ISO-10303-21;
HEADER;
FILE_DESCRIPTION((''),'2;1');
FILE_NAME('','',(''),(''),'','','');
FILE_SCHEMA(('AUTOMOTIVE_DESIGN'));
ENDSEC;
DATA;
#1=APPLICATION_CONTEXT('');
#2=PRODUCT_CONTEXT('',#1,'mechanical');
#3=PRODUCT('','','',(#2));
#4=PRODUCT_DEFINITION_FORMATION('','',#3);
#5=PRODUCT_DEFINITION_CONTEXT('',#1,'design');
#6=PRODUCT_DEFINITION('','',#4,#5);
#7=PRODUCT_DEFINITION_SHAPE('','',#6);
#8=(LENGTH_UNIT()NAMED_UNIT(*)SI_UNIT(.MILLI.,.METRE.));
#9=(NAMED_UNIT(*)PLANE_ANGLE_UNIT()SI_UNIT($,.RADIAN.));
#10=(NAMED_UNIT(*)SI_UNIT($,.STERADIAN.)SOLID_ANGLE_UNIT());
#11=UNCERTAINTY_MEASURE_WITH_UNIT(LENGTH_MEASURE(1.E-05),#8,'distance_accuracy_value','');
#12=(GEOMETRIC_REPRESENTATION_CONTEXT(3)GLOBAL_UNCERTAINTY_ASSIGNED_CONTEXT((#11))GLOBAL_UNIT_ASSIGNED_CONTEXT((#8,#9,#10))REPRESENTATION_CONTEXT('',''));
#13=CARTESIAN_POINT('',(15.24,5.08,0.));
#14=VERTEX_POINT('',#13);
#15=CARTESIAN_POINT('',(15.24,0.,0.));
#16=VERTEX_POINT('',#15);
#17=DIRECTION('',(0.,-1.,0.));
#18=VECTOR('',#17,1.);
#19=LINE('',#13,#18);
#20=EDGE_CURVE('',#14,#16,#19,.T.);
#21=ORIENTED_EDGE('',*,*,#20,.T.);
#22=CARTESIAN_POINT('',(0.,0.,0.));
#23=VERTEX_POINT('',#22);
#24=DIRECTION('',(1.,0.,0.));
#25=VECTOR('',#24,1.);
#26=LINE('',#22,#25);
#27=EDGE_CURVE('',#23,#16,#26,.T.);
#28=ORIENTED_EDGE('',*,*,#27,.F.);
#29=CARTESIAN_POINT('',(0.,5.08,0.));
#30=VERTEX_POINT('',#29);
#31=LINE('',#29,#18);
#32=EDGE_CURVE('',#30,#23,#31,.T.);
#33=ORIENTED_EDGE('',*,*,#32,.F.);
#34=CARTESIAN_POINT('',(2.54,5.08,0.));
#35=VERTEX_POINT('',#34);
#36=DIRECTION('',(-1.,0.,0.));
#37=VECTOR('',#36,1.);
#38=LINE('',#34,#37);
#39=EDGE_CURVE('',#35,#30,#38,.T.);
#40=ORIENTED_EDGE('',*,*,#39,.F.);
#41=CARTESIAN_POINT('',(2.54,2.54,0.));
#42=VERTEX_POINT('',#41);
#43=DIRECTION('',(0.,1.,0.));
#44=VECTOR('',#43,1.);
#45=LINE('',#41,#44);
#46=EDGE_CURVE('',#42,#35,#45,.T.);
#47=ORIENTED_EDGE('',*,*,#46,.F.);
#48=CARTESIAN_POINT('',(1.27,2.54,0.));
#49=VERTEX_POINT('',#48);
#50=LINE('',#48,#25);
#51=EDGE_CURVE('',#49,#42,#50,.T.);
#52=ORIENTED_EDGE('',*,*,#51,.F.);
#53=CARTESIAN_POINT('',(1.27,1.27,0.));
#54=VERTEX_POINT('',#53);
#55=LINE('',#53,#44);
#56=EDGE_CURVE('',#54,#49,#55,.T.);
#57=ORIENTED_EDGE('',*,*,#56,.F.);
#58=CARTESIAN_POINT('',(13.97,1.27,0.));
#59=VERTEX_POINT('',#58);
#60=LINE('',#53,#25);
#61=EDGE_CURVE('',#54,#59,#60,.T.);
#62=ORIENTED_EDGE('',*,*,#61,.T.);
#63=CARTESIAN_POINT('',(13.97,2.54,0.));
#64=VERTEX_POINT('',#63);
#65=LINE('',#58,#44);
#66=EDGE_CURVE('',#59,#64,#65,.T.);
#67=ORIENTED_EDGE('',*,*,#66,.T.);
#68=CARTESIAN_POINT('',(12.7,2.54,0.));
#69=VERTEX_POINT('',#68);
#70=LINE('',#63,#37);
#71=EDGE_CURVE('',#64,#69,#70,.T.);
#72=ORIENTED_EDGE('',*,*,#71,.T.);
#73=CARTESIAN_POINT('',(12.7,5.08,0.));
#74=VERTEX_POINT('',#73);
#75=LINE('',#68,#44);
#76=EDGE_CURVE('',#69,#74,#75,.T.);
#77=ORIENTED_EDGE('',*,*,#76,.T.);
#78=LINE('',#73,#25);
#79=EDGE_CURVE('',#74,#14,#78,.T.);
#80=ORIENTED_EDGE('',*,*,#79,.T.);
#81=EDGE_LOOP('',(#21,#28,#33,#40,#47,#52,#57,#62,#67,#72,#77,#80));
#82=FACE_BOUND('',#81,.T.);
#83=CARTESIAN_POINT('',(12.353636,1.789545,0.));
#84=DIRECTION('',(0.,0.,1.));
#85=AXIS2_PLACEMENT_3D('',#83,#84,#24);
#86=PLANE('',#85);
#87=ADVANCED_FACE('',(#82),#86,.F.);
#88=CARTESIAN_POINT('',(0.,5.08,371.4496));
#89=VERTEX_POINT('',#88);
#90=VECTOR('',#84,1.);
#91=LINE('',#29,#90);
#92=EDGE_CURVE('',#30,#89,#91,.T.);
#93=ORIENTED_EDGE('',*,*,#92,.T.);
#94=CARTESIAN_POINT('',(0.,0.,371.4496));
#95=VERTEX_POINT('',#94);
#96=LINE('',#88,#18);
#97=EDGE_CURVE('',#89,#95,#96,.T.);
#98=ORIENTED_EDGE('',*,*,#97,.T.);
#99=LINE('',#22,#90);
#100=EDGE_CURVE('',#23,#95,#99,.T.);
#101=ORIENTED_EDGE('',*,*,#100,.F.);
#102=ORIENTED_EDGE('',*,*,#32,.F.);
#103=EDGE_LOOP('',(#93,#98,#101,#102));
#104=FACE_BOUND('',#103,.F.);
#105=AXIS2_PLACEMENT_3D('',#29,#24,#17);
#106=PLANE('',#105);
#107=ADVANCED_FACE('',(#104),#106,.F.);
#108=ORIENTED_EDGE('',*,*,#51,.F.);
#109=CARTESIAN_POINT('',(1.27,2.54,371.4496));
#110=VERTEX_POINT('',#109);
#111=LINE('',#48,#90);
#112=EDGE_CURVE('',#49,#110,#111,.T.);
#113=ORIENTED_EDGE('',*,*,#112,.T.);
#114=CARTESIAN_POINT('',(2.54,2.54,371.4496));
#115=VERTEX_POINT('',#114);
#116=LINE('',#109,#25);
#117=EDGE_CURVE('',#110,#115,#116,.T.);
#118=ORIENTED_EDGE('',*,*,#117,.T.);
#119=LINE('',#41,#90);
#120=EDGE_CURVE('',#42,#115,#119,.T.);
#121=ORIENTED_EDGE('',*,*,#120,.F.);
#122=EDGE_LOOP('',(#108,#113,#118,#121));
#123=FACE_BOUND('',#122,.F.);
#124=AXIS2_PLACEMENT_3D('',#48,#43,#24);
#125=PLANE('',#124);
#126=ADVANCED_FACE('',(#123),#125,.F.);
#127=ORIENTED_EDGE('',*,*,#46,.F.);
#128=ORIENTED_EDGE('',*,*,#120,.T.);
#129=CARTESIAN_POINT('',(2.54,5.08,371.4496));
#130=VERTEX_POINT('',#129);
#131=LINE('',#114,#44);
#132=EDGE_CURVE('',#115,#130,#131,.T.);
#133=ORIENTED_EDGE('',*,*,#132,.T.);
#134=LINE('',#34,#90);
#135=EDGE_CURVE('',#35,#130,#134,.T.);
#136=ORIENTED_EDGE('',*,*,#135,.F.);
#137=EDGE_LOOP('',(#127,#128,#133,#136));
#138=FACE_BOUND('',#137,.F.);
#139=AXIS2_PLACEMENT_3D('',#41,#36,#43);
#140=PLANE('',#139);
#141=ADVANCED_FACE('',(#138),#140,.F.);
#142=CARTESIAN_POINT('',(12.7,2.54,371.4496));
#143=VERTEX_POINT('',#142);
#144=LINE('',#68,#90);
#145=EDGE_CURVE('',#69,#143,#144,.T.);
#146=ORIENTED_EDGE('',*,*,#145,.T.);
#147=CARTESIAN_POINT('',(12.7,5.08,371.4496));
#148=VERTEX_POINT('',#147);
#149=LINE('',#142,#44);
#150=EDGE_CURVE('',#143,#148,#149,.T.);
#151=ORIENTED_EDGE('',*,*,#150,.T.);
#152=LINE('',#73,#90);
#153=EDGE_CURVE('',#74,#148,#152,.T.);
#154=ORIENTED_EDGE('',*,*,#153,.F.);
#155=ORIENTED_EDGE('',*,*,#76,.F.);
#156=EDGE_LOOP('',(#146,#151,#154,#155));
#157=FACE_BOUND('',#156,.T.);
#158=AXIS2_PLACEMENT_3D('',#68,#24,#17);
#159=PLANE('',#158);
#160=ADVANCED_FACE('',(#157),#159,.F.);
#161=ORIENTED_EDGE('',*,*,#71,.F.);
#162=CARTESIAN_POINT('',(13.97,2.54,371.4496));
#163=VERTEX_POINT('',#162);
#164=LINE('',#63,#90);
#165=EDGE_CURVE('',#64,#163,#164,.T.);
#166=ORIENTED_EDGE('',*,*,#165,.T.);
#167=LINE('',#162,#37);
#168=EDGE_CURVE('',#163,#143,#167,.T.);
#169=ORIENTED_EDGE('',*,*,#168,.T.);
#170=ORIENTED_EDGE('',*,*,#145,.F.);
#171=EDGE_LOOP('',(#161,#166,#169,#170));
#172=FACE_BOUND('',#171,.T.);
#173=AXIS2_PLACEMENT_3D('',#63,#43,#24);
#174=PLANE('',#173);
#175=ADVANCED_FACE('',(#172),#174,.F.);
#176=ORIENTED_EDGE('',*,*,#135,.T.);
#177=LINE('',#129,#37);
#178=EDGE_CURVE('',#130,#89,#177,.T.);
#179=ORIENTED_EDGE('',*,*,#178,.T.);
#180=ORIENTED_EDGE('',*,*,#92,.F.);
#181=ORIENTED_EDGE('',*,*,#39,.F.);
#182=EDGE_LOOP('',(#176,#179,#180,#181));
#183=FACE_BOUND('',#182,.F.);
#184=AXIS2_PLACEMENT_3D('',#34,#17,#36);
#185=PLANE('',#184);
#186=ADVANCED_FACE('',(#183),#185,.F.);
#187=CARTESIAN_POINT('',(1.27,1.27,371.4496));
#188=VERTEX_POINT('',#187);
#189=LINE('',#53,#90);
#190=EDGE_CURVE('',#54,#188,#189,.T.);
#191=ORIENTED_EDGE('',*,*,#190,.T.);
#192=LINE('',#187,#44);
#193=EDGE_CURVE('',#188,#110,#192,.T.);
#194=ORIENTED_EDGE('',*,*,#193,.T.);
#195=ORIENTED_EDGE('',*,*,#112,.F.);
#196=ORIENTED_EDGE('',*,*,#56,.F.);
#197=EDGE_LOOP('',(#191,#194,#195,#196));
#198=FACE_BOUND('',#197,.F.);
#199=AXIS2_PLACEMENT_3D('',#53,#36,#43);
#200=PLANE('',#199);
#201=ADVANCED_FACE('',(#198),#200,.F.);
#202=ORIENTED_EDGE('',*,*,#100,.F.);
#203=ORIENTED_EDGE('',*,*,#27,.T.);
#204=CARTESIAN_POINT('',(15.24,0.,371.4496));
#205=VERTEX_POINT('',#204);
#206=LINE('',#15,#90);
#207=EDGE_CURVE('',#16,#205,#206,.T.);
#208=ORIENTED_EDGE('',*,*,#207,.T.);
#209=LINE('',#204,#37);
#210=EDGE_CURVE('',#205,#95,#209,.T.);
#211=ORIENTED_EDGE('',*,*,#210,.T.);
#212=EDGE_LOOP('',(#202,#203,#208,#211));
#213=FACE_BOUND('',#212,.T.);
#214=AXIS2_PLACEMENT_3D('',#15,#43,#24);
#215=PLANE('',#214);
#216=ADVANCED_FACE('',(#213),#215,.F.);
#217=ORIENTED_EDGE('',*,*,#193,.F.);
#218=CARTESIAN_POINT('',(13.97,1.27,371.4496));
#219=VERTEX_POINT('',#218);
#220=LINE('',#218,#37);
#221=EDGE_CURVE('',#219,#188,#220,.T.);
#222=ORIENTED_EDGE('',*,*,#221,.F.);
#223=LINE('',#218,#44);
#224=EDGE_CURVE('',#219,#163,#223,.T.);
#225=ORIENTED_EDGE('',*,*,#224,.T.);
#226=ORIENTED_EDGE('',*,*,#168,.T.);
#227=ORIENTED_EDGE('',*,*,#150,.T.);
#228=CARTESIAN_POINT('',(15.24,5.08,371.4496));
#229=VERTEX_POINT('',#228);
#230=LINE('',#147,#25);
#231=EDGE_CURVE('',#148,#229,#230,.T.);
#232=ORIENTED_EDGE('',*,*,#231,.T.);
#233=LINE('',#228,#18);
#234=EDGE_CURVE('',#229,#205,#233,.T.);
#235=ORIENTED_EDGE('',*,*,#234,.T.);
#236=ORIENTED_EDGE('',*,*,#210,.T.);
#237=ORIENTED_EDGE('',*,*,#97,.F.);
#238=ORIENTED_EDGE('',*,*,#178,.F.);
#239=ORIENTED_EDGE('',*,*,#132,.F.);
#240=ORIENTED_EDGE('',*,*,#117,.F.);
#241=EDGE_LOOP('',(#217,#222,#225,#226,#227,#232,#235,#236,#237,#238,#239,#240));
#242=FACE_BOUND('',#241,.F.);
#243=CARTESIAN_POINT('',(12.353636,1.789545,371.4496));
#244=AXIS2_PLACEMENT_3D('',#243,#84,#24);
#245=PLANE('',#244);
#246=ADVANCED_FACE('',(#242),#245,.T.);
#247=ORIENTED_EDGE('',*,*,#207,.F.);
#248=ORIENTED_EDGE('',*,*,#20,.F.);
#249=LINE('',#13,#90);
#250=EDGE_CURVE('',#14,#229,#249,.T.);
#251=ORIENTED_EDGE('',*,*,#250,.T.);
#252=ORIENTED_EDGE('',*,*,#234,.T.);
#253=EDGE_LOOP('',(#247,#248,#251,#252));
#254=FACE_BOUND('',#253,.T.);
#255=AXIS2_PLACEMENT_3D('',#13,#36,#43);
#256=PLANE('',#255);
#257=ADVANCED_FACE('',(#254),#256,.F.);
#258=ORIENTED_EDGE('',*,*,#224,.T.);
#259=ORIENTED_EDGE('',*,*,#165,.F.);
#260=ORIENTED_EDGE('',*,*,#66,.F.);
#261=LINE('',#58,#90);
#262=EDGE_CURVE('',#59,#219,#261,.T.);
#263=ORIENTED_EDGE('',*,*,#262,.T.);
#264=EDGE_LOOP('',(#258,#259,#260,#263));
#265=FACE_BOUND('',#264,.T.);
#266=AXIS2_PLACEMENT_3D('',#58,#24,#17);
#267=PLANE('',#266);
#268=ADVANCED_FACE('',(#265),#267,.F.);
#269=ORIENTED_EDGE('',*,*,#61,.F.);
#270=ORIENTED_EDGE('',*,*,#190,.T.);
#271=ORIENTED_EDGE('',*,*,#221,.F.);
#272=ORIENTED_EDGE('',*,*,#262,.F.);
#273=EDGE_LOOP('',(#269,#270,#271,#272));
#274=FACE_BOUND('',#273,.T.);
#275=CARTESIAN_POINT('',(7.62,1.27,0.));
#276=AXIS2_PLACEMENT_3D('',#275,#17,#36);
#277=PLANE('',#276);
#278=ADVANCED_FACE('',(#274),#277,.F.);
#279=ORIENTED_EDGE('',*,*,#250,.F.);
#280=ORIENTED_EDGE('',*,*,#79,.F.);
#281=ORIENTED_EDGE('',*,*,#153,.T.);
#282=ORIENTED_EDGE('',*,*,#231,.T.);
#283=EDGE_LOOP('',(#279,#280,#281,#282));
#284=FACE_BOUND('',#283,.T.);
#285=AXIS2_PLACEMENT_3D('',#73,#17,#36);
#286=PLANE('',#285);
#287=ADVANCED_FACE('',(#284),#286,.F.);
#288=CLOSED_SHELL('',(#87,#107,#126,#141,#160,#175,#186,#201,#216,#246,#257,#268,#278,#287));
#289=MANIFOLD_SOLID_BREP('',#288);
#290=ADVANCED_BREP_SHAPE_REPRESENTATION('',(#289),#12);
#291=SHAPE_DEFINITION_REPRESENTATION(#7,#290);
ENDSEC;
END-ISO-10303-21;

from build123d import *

# Parameters (mm, degrees)
F1_DEPTH = 371.4496


with BuildPart() as f1:
    # F0 (on Top) → F1 (new body)
    with BuildSketch(Plane.XY):
        Polygon((0, 5.08), (0, 0), (7.62, 0), (7.62, 1.27), (1.27, 1.27), (1.27, 2.54), (2.54, 2.54), (2.54, 5.08), align=None)
    extrude(amount=F1_DEPTH)

    # F2: F1 across face


with BuildPart() as f1_1:
    add(f1.part)
    add(f1.part.mirror(Plane(origin=(7.62, 0.635, 185.7248), x_dir=(0, 1, 0), z_dir=(1, 0, 0))))


solid = f1_1.part
